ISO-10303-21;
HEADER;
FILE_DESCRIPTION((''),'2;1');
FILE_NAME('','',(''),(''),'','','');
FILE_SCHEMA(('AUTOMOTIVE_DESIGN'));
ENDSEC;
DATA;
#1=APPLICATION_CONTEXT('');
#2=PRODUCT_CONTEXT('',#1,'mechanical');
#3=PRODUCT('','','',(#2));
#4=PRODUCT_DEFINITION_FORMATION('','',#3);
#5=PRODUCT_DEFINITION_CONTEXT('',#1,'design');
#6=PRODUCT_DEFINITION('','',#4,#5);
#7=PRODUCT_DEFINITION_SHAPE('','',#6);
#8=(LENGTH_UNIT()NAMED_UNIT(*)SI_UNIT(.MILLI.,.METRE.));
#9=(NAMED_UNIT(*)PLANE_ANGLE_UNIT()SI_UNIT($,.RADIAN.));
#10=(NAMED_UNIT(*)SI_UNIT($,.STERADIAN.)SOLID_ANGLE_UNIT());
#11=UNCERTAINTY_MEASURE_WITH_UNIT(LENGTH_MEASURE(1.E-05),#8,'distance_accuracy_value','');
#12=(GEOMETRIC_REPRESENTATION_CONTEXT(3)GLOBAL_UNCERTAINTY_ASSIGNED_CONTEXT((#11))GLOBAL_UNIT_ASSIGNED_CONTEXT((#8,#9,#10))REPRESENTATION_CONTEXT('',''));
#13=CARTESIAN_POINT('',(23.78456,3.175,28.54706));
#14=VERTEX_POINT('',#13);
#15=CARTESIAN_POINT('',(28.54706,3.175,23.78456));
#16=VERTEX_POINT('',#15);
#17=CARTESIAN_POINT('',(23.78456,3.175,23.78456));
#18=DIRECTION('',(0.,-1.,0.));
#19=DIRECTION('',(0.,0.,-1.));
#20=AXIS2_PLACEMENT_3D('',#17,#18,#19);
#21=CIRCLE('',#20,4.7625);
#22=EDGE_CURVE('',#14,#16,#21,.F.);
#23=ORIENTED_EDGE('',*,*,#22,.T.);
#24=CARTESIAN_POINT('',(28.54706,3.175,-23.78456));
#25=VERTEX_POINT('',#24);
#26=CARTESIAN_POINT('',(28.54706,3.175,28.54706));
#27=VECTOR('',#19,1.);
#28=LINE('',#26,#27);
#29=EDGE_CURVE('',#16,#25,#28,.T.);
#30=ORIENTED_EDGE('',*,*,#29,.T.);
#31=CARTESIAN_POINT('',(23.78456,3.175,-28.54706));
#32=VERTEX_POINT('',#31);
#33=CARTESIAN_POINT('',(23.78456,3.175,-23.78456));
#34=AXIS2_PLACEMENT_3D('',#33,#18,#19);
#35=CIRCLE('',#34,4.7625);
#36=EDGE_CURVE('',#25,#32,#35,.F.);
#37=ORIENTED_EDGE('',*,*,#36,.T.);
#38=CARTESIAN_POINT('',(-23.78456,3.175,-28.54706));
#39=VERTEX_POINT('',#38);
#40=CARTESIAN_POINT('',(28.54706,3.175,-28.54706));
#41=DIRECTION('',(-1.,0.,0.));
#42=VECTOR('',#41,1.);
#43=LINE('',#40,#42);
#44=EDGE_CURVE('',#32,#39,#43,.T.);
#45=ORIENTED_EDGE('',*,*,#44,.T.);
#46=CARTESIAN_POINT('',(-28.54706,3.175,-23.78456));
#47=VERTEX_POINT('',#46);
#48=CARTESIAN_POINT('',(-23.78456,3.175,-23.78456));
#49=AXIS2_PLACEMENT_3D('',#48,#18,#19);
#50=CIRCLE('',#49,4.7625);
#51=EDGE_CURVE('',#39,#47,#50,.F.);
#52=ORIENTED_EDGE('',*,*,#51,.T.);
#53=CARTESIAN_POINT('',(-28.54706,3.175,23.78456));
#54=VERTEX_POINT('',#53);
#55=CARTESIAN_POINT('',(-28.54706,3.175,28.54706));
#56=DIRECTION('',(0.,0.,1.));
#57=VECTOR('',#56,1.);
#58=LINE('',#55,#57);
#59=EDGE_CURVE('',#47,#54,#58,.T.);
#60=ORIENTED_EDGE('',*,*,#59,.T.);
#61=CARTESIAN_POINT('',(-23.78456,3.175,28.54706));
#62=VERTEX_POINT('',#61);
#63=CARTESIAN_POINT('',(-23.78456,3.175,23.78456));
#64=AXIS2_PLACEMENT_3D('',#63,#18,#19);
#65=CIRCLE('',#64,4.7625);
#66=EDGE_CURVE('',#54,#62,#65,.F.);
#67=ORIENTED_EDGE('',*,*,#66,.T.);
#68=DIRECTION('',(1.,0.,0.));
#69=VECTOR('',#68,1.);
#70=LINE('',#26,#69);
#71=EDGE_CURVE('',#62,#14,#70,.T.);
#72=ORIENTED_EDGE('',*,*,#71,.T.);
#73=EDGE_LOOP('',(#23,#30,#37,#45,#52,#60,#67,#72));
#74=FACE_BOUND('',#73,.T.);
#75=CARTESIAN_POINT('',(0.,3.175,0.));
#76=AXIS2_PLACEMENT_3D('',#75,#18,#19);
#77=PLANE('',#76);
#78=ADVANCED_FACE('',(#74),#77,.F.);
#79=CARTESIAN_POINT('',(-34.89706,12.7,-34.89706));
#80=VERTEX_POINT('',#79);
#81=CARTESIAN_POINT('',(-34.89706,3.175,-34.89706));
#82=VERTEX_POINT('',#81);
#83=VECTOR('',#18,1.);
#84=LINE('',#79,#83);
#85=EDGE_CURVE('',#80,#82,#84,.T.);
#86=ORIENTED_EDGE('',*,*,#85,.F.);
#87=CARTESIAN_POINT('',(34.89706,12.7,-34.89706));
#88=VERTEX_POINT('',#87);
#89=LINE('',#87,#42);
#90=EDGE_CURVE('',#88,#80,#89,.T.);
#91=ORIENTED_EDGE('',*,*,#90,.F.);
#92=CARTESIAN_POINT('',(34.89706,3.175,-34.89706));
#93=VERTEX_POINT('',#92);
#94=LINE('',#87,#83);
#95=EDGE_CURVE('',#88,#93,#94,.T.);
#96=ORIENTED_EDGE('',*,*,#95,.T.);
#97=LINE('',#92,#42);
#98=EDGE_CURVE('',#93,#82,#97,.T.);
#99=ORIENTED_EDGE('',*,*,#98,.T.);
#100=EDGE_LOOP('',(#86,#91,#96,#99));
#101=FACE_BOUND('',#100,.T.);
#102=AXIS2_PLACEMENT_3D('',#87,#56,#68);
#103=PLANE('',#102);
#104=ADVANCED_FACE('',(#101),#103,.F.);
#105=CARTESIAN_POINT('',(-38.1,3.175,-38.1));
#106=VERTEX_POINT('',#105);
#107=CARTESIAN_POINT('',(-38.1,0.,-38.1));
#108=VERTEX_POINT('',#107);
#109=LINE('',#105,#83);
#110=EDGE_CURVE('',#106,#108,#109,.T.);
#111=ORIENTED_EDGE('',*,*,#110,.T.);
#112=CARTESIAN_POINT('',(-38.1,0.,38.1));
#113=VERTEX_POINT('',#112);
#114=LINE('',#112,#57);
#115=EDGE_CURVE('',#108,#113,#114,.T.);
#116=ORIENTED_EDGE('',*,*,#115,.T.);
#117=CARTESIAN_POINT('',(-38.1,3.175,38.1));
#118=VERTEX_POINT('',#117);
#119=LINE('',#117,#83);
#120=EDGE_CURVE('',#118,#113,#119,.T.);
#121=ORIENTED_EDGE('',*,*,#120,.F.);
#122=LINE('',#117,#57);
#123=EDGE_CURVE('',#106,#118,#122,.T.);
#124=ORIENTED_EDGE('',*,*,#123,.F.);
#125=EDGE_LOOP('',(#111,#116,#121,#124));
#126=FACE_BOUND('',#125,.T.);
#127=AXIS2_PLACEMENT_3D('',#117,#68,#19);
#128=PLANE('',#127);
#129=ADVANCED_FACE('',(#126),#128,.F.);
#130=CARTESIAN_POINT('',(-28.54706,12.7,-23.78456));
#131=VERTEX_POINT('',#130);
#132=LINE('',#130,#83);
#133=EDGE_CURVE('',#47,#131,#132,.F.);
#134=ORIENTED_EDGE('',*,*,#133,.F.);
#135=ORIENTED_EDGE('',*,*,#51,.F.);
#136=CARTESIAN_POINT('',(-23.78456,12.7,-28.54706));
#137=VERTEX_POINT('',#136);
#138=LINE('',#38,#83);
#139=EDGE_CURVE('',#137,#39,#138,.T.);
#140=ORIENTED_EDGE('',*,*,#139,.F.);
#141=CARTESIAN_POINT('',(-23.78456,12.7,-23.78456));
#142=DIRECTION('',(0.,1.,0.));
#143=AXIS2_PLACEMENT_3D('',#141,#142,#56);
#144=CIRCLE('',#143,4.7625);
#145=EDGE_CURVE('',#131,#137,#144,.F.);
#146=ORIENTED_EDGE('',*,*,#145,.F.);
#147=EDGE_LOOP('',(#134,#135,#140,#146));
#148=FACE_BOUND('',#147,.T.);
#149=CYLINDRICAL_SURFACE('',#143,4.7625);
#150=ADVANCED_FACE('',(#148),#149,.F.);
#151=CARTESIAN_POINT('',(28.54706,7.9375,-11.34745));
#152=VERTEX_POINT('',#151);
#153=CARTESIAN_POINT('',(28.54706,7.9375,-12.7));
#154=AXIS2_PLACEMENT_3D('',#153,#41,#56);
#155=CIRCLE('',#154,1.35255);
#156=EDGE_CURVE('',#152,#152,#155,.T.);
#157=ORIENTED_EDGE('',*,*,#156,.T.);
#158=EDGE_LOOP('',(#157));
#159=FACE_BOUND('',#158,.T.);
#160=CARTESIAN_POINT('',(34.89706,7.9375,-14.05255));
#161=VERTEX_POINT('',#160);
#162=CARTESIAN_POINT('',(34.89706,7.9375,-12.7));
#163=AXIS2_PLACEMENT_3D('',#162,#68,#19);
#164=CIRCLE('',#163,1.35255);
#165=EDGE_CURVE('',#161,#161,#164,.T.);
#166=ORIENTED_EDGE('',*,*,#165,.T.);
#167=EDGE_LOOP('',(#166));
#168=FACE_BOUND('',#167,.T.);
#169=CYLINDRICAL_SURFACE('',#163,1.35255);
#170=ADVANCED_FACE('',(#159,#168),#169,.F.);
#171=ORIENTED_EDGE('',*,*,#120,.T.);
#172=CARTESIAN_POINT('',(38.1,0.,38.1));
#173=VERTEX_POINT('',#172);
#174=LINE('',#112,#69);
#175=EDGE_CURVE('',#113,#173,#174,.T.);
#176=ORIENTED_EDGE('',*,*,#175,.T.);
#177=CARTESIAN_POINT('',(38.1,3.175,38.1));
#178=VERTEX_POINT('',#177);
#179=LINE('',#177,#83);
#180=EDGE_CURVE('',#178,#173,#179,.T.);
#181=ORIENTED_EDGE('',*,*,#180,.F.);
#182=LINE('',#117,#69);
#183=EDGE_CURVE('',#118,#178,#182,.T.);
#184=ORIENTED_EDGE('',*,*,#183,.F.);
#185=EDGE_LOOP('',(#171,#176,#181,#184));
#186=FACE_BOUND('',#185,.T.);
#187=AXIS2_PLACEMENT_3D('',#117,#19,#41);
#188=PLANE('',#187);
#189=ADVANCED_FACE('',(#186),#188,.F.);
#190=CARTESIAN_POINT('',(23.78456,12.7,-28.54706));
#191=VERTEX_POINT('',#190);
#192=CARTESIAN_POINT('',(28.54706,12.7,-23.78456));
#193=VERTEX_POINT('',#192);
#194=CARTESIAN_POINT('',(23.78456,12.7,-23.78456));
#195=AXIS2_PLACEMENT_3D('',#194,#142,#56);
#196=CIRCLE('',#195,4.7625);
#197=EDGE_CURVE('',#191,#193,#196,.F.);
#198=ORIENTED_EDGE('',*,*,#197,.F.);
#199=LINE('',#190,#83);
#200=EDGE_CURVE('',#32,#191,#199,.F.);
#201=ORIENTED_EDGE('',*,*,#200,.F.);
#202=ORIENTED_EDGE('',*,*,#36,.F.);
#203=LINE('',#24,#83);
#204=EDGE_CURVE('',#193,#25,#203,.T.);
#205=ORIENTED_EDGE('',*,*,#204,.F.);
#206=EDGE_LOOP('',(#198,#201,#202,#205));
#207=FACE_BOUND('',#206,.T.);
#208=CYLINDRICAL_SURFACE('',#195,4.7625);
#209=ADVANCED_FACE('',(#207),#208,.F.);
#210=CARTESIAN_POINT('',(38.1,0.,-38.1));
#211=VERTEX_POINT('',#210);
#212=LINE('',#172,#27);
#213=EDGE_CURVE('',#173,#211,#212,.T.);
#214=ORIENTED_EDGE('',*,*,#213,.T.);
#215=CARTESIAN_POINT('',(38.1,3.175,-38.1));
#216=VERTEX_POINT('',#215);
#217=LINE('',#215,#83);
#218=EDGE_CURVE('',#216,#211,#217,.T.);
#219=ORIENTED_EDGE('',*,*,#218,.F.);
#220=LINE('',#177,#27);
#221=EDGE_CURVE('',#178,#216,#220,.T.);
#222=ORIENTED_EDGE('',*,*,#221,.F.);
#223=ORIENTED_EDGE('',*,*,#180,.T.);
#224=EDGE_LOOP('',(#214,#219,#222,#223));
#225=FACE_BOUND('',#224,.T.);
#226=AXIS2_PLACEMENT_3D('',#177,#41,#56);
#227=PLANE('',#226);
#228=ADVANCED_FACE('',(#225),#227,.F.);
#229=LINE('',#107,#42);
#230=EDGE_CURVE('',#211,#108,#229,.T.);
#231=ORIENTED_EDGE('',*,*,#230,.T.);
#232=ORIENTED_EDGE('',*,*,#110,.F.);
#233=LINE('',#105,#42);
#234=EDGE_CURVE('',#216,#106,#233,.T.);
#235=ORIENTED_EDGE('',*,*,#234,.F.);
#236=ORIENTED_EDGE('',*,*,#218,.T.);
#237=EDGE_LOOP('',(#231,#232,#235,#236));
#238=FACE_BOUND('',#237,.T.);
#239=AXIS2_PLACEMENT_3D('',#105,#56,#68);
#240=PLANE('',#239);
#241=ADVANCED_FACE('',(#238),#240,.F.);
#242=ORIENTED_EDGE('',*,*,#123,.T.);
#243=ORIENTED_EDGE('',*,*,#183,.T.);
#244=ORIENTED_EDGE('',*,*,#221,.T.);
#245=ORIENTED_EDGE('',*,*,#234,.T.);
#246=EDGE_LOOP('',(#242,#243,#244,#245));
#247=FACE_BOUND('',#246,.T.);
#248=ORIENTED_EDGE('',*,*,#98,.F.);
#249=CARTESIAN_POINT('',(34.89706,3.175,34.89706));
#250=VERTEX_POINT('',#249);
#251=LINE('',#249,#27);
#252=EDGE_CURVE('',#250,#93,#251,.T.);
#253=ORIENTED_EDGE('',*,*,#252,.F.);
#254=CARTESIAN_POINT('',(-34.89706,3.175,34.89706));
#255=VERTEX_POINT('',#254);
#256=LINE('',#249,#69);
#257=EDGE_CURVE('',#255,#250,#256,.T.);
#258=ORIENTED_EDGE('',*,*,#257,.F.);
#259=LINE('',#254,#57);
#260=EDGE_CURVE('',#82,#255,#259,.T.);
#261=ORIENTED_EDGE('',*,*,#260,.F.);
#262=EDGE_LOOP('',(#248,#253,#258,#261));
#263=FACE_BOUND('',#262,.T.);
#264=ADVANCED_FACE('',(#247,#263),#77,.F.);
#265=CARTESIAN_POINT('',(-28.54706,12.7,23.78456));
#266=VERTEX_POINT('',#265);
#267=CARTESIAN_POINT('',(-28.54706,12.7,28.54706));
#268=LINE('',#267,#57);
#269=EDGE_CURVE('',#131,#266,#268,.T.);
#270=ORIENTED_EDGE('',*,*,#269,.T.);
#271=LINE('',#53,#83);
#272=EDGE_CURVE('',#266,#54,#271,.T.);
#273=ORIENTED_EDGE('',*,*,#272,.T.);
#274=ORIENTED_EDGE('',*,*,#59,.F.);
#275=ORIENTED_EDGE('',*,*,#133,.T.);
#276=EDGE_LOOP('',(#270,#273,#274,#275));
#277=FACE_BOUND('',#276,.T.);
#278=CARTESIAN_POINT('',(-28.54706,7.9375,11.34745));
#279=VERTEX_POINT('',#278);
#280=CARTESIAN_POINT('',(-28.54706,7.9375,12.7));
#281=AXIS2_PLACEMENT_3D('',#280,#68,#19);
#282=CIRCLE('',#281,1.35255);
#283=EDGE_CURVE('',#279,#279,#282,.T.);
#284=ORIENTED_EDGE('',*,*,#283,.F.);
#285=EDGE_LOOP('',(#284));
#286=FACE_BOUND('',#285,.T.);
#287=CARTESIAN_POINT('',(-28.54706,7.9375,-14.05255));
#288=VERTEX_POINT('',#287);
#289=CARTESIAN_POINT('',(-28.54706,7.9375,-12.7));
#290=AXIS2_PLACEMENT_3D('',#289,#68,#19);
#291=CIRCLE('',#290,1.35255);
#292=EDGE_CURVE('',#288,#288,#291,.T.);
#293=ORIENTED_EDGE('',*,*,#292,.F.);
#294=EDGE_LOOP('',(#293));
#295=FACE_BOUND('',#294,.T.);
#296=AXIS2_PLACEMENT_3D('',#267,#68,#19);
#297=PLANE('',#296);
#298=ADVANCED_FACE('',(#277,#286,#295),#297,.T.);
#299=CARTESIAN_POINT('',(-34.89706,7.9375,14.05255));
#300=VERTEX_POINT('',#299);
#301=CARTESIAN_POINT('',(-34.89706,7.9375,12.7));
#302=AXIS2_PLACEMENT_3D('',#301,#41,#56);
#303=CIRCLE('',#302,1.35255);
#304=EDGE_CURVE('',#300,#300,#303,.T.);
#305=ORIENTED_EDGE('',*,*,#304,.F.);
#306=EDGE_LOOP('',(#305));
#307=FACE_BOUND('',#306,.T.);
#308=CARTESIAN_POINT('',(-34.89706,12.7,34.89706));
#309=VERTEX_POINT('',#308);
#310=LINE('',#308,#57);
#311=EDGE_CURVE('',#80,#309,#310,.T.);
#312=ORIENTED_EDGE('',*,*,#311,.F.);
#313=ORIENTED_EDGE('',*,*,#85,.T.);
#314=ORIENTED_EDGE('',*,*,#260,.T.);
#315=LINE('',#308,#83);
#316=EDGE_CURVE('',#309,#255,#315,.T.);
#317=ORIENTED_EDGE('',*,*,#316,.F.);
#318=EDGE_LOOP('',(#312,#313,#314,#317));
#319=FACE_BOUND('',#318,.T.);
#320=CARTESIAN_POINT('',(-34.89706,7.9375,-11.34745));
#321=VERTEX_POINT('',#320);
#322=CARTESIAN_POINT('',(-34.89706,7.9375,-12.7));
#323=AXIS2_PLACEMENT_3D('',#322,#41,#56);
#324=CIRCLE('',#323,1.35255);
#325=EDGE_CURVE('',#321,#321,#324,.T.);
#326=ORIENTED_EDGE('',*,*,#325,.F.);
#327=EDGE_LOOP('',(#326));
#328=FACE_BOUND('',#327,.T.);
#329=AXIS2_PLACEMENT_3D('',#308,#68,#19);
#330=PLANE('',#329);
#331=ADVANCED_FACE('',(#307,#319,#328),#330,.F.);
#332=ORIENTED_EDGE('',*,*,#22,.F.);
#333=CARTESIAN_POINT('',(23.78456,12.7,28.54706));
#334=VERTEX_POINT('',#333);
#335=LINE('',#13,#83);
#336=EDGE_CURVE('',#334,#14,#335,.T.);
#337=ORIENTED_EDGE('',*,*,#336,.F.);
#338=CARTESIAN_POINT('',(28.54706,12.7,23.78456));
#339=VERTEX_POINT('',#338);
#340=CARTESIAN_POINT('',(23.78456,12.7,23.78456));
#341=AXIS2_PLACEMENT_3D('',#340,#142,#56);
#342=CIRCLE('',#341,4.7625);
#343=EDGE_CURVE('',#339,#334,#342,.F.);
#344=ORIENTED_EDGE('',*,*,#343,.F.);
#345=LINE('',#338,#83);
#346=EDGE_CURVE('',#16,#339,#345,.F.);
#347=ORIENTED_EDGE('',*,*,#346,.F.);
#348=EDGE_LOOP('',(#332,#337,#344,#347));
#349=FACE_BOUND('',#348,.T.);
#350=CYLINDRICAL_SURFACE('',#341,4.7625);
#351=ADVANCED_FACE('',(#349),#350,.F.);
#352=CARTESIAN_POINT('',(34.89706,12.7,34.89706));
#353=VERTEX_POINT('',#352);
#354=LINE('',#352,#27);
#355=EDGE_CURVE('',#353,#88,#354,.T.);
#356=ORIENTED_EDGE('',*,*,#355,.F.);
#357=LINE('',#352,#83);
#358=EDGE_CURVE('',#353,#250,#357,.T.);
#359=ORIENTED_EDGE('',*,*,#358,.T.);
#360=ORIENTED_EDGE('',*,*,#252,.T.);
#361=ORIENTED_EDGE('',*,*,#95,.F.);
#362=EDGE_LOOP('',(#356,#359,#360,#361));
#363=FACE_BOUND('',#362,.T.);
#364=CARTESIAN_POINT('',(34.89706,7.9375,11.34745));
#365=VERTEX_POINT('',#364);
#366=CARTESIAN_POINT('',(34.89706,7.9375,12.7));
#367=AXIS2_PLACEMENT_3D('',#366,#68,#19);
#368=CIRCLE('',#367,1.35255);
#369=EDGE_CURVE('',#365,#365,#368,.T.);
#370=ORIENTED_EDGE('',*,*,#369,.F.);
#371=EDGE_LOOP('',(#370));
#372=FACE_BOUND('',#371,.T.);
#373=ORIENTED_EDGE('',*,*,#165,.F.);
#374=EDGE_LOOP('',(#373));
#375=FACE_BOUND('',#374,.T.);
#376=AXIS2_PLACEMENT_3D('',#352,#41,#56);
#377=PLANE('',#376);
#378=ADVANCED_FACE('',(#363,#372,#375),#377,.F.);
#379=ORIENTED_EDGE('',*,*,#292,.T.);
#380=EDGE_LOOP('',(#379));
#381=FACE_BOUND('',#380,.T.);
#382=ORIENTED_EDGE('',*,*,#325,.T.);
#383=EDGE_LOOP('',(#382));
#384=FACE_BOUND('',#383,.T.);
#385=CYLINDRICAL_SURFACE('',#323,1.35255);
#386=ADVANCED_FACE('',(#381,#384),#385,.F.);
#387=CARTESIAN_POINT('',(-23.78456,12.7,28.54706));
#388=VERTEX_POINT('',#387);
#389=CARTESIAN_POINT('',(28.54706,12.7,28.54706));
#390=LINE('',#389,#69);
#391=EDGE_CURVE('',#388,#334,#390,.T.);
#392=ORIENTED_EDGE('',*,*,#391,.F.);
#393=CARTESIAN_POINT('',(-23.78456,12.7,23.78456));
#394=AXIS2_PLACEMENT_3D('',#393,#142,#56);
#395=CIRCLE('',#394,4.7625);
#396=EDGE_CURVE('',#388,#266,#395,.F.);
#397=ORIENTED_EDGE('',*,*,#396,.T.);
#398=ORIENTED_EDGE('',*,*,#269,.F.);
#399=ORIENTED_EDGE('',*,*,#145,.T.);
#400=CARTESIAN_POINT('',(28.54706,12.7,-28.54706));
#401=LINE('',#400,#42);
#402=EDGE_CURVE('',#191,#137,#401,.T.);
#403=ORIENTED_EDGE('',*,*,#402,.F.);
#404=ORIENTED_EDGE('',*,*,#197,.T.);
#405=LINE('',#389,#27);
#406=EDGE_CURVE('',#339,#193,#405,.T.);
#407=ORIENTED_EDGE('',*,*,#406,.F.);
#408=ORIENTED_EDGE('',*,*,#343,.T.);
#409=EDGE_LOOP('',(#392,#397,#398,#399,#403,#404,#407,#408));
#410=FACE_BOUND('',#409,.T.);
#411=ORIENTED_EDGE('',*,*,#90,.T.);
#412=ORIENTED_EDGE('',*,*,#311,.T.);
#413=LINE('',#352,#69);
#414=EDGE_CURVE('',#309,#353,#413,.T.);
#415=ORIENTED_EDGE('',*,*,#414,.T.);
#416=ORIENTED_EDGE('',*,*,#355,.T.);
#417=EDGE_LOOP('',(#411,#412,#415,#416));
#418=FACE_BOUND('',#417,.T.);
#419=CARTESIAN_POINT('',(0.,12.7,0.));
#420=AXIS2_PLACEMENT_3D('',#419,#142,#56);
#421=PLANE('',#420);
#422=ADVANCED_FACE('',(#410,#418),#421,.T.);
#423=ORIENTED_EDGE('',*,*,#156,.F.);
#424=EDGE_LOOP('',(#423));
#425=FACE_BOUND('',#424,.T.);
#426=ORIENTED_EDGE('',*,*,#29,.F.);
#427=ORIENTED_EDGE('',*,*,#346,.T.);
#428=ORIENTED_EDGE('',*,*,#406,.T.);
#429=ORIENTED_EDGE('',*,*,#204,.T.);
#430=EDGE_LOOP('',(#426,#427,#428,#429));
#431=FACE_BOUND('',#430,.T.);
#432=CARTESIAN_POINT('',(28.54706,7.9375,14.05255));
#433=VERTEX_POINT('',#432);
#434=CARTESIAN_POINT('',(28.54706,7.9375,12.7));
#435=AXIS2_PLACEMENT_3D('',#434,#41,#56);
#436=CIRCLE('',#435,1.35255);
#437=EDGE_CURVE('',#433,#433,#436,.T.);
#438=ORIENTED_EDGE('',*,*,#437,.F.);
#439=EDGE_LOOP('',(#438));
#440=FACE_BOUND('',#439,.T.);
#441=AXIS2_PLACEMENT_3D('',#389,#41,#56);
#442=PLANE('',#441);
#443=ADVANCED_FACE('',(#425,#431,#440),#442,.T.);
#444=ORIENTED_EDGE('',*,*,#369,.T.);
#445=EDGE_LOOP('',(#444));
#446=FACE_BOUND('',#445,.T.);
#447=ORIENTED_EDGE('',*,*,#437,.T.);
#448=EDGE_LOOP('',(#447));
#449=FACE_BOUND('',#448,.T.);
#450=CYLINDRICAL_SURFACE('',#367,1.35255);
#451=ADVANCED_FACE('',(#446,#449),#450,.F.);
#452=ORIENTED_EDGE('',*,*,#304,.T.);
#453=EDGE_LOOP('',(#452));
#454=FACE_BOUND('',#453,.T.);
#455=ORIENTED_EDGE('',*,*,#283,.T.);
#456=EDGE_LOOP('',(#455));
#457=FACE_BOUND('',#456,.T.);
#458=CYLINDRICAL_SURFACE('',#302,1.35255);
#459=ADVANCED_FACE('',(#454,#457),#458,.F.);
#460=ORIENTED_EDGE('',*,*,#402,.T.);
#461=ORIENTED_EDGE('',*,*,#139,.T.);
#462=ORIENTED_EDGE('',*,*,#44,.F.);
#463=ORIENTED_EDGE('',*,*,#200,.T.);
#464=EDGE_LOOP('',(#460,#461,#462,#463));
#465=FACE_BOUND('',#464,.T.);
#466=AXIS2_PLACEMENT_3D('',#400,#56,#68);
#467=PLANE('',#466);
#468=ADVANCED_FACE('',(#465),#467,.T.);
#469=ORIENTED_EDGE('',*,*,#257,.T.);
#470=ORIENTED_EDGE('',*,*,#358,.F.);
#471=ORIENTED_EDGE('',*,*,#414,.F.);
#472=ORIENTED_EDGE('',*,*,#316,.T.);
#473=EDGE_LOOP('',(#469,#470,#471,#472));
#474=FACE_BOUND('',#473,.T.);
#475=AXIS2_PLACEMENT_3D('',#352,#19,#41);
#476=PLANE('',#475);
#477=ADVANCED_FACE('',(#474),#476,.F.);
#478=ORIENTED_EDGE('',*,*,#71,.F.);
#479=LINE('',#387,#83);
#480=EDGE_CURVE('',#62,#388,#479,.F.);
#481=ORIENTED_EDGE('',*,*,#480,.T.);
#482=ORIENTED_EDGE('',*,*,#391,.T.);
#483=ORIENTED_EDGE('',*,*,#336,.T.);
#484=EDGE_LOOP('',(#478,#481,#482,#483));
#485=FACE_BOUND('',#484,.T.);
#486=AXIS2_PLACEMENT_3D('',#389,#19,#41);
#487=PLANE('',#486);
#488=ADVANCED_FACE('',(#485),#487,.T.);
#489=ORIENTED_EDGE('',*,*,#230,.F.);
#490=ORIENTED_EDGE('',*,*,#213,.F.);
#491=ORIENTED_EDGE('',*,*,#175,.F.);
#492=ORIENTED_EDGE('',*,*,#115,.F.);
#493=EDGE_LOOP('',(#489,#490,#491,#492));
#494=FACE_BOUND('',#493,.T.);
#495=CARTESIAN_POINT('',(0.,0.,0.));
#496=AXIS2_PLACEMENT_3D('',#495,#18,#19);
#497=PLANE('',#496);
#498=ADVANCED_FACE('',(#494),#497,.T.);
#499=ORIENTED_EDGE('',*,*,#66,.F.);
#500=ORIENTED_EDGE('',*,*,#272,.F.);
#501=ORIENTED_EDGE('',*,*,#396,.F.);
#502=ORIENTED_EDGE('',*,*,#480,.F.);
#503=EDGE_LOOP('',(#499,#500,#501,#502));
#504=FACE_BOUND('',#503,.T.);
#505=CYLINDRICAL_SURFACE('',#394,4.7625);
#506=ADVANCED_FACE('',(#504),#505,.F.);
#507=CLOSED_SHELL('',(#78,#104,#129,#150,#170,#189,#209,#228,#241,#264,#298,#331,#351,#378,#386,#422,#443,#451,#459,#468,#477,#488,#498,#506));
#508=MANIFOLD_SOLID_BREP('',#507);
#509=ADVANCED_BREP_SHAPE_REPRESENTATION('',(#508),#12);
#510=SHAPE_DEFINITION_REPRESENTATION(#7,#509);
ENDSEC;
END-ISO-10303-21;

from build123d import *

# Parameters (mm, degrees)
SKETCH1_W           = 76.2
SKETCH1_H           = 76.2
BOSS_EXTRUDE1_DEPTH = 3.175
SKETCH2_W           = 69.79412
SKETCH2_H           = 69.79412
SKETCH2_W_2         = 57.09412
SKETCH2_H_2         = 57.09412
BOSS_EXTRUDE2_DEPTH = 9.525
FILLET1_R           = 4.7625


with BuildPart() as part:
    # Sketch1 → Boss-Extrude1 (new body)
    with BuildSketch(Plane(origin=(0, 0, 0), x_dir=(1, 0, 0), z_dir=(0, 1, 0))):
        Rectangle(SKETCH1_W, SKETCH1_H)
    extrude(amount=BOSS_EXTRUDE1_DEPTH)

    # Sketch2 → Boss-Extrude2 (add)
    with BuildSketch(Plane(origin=(0, 3.175, 0), x_dir=(1, 0, 0), z_dir=(0, 1, 0))):
        Rectangle(SKETCH2_W, SKETCH2_H)
        Rectangle(SKETCH2_W_2, SKETCH2_H_2, mode=Mode.SUBTRACT)
    extrude(amount=BOSS_EXTRUDE2_DEPTH)

    # Fillet1
    fillet1_edges = [part.edges().sort_by_distance(p)[0] for p in [
        (-28.54706, 7.9375, 28.54706),
        (28.54706, 7.9375, 28.54706),
        (28.54706, 7.9375, -28.54706),
        (-28.54706, 7.9375, -28.54706),
    ]]
    fillet(fillet1_edges, radius=FILLET1_R)

    # Sketch9 → #6-32 Tapped Hole2 (revolve, cut)
    with BuildSketch(Plane(origin=(34.89706, 7.9375, 12.7), x_dir=(0, 0, -1), z_dir=(0, 1, 0))):
        Polygon((0, 0), (0, 11.98869403), (1.35255, 11.176), (1.35255, 0), align=None)
    f_6_32_tapped_hole2 = revolve(axis=Axis((41.24706, 7.9375, 12.7), (-1, 0, 0)), mode=Mode.SUBTRACT)

    # Mirror1: #6-32 Tapped Hole2 across plane
    add(f_6_32_tapped_hole2.mirror(Plane.XY), mode=Mode.SUBTRACT)

    # Mirror2: #6-32 Tapped Hole2 across plane
    add(f_6_32_tapped_hole2.mirror(Plane(origin=(0, 0, 0), x_dir=(0, 0, 1), z_dir=(1, 0, 0))), mode=Mode.SUBTRACT)

    # Mirror2 copy 1 sketch → Mirror2 copy 1 (revolve, cut)
    with BuildSketch(Plane(origin=(-34.89706, 7.9375, -12.7), x_dir=(0, 0, 1), z_dir=(0, 1, 0))):
        Polygon((0, 0), (0, 11.98869403), (1.35255, 11.176), (1.35255, 0), align=None)
    revolve(axis=Axis((-41.24706, 7.9375, -12.7), (1, 0, 0)), mode=Mode.SUBTRACT)


solid = part.part
